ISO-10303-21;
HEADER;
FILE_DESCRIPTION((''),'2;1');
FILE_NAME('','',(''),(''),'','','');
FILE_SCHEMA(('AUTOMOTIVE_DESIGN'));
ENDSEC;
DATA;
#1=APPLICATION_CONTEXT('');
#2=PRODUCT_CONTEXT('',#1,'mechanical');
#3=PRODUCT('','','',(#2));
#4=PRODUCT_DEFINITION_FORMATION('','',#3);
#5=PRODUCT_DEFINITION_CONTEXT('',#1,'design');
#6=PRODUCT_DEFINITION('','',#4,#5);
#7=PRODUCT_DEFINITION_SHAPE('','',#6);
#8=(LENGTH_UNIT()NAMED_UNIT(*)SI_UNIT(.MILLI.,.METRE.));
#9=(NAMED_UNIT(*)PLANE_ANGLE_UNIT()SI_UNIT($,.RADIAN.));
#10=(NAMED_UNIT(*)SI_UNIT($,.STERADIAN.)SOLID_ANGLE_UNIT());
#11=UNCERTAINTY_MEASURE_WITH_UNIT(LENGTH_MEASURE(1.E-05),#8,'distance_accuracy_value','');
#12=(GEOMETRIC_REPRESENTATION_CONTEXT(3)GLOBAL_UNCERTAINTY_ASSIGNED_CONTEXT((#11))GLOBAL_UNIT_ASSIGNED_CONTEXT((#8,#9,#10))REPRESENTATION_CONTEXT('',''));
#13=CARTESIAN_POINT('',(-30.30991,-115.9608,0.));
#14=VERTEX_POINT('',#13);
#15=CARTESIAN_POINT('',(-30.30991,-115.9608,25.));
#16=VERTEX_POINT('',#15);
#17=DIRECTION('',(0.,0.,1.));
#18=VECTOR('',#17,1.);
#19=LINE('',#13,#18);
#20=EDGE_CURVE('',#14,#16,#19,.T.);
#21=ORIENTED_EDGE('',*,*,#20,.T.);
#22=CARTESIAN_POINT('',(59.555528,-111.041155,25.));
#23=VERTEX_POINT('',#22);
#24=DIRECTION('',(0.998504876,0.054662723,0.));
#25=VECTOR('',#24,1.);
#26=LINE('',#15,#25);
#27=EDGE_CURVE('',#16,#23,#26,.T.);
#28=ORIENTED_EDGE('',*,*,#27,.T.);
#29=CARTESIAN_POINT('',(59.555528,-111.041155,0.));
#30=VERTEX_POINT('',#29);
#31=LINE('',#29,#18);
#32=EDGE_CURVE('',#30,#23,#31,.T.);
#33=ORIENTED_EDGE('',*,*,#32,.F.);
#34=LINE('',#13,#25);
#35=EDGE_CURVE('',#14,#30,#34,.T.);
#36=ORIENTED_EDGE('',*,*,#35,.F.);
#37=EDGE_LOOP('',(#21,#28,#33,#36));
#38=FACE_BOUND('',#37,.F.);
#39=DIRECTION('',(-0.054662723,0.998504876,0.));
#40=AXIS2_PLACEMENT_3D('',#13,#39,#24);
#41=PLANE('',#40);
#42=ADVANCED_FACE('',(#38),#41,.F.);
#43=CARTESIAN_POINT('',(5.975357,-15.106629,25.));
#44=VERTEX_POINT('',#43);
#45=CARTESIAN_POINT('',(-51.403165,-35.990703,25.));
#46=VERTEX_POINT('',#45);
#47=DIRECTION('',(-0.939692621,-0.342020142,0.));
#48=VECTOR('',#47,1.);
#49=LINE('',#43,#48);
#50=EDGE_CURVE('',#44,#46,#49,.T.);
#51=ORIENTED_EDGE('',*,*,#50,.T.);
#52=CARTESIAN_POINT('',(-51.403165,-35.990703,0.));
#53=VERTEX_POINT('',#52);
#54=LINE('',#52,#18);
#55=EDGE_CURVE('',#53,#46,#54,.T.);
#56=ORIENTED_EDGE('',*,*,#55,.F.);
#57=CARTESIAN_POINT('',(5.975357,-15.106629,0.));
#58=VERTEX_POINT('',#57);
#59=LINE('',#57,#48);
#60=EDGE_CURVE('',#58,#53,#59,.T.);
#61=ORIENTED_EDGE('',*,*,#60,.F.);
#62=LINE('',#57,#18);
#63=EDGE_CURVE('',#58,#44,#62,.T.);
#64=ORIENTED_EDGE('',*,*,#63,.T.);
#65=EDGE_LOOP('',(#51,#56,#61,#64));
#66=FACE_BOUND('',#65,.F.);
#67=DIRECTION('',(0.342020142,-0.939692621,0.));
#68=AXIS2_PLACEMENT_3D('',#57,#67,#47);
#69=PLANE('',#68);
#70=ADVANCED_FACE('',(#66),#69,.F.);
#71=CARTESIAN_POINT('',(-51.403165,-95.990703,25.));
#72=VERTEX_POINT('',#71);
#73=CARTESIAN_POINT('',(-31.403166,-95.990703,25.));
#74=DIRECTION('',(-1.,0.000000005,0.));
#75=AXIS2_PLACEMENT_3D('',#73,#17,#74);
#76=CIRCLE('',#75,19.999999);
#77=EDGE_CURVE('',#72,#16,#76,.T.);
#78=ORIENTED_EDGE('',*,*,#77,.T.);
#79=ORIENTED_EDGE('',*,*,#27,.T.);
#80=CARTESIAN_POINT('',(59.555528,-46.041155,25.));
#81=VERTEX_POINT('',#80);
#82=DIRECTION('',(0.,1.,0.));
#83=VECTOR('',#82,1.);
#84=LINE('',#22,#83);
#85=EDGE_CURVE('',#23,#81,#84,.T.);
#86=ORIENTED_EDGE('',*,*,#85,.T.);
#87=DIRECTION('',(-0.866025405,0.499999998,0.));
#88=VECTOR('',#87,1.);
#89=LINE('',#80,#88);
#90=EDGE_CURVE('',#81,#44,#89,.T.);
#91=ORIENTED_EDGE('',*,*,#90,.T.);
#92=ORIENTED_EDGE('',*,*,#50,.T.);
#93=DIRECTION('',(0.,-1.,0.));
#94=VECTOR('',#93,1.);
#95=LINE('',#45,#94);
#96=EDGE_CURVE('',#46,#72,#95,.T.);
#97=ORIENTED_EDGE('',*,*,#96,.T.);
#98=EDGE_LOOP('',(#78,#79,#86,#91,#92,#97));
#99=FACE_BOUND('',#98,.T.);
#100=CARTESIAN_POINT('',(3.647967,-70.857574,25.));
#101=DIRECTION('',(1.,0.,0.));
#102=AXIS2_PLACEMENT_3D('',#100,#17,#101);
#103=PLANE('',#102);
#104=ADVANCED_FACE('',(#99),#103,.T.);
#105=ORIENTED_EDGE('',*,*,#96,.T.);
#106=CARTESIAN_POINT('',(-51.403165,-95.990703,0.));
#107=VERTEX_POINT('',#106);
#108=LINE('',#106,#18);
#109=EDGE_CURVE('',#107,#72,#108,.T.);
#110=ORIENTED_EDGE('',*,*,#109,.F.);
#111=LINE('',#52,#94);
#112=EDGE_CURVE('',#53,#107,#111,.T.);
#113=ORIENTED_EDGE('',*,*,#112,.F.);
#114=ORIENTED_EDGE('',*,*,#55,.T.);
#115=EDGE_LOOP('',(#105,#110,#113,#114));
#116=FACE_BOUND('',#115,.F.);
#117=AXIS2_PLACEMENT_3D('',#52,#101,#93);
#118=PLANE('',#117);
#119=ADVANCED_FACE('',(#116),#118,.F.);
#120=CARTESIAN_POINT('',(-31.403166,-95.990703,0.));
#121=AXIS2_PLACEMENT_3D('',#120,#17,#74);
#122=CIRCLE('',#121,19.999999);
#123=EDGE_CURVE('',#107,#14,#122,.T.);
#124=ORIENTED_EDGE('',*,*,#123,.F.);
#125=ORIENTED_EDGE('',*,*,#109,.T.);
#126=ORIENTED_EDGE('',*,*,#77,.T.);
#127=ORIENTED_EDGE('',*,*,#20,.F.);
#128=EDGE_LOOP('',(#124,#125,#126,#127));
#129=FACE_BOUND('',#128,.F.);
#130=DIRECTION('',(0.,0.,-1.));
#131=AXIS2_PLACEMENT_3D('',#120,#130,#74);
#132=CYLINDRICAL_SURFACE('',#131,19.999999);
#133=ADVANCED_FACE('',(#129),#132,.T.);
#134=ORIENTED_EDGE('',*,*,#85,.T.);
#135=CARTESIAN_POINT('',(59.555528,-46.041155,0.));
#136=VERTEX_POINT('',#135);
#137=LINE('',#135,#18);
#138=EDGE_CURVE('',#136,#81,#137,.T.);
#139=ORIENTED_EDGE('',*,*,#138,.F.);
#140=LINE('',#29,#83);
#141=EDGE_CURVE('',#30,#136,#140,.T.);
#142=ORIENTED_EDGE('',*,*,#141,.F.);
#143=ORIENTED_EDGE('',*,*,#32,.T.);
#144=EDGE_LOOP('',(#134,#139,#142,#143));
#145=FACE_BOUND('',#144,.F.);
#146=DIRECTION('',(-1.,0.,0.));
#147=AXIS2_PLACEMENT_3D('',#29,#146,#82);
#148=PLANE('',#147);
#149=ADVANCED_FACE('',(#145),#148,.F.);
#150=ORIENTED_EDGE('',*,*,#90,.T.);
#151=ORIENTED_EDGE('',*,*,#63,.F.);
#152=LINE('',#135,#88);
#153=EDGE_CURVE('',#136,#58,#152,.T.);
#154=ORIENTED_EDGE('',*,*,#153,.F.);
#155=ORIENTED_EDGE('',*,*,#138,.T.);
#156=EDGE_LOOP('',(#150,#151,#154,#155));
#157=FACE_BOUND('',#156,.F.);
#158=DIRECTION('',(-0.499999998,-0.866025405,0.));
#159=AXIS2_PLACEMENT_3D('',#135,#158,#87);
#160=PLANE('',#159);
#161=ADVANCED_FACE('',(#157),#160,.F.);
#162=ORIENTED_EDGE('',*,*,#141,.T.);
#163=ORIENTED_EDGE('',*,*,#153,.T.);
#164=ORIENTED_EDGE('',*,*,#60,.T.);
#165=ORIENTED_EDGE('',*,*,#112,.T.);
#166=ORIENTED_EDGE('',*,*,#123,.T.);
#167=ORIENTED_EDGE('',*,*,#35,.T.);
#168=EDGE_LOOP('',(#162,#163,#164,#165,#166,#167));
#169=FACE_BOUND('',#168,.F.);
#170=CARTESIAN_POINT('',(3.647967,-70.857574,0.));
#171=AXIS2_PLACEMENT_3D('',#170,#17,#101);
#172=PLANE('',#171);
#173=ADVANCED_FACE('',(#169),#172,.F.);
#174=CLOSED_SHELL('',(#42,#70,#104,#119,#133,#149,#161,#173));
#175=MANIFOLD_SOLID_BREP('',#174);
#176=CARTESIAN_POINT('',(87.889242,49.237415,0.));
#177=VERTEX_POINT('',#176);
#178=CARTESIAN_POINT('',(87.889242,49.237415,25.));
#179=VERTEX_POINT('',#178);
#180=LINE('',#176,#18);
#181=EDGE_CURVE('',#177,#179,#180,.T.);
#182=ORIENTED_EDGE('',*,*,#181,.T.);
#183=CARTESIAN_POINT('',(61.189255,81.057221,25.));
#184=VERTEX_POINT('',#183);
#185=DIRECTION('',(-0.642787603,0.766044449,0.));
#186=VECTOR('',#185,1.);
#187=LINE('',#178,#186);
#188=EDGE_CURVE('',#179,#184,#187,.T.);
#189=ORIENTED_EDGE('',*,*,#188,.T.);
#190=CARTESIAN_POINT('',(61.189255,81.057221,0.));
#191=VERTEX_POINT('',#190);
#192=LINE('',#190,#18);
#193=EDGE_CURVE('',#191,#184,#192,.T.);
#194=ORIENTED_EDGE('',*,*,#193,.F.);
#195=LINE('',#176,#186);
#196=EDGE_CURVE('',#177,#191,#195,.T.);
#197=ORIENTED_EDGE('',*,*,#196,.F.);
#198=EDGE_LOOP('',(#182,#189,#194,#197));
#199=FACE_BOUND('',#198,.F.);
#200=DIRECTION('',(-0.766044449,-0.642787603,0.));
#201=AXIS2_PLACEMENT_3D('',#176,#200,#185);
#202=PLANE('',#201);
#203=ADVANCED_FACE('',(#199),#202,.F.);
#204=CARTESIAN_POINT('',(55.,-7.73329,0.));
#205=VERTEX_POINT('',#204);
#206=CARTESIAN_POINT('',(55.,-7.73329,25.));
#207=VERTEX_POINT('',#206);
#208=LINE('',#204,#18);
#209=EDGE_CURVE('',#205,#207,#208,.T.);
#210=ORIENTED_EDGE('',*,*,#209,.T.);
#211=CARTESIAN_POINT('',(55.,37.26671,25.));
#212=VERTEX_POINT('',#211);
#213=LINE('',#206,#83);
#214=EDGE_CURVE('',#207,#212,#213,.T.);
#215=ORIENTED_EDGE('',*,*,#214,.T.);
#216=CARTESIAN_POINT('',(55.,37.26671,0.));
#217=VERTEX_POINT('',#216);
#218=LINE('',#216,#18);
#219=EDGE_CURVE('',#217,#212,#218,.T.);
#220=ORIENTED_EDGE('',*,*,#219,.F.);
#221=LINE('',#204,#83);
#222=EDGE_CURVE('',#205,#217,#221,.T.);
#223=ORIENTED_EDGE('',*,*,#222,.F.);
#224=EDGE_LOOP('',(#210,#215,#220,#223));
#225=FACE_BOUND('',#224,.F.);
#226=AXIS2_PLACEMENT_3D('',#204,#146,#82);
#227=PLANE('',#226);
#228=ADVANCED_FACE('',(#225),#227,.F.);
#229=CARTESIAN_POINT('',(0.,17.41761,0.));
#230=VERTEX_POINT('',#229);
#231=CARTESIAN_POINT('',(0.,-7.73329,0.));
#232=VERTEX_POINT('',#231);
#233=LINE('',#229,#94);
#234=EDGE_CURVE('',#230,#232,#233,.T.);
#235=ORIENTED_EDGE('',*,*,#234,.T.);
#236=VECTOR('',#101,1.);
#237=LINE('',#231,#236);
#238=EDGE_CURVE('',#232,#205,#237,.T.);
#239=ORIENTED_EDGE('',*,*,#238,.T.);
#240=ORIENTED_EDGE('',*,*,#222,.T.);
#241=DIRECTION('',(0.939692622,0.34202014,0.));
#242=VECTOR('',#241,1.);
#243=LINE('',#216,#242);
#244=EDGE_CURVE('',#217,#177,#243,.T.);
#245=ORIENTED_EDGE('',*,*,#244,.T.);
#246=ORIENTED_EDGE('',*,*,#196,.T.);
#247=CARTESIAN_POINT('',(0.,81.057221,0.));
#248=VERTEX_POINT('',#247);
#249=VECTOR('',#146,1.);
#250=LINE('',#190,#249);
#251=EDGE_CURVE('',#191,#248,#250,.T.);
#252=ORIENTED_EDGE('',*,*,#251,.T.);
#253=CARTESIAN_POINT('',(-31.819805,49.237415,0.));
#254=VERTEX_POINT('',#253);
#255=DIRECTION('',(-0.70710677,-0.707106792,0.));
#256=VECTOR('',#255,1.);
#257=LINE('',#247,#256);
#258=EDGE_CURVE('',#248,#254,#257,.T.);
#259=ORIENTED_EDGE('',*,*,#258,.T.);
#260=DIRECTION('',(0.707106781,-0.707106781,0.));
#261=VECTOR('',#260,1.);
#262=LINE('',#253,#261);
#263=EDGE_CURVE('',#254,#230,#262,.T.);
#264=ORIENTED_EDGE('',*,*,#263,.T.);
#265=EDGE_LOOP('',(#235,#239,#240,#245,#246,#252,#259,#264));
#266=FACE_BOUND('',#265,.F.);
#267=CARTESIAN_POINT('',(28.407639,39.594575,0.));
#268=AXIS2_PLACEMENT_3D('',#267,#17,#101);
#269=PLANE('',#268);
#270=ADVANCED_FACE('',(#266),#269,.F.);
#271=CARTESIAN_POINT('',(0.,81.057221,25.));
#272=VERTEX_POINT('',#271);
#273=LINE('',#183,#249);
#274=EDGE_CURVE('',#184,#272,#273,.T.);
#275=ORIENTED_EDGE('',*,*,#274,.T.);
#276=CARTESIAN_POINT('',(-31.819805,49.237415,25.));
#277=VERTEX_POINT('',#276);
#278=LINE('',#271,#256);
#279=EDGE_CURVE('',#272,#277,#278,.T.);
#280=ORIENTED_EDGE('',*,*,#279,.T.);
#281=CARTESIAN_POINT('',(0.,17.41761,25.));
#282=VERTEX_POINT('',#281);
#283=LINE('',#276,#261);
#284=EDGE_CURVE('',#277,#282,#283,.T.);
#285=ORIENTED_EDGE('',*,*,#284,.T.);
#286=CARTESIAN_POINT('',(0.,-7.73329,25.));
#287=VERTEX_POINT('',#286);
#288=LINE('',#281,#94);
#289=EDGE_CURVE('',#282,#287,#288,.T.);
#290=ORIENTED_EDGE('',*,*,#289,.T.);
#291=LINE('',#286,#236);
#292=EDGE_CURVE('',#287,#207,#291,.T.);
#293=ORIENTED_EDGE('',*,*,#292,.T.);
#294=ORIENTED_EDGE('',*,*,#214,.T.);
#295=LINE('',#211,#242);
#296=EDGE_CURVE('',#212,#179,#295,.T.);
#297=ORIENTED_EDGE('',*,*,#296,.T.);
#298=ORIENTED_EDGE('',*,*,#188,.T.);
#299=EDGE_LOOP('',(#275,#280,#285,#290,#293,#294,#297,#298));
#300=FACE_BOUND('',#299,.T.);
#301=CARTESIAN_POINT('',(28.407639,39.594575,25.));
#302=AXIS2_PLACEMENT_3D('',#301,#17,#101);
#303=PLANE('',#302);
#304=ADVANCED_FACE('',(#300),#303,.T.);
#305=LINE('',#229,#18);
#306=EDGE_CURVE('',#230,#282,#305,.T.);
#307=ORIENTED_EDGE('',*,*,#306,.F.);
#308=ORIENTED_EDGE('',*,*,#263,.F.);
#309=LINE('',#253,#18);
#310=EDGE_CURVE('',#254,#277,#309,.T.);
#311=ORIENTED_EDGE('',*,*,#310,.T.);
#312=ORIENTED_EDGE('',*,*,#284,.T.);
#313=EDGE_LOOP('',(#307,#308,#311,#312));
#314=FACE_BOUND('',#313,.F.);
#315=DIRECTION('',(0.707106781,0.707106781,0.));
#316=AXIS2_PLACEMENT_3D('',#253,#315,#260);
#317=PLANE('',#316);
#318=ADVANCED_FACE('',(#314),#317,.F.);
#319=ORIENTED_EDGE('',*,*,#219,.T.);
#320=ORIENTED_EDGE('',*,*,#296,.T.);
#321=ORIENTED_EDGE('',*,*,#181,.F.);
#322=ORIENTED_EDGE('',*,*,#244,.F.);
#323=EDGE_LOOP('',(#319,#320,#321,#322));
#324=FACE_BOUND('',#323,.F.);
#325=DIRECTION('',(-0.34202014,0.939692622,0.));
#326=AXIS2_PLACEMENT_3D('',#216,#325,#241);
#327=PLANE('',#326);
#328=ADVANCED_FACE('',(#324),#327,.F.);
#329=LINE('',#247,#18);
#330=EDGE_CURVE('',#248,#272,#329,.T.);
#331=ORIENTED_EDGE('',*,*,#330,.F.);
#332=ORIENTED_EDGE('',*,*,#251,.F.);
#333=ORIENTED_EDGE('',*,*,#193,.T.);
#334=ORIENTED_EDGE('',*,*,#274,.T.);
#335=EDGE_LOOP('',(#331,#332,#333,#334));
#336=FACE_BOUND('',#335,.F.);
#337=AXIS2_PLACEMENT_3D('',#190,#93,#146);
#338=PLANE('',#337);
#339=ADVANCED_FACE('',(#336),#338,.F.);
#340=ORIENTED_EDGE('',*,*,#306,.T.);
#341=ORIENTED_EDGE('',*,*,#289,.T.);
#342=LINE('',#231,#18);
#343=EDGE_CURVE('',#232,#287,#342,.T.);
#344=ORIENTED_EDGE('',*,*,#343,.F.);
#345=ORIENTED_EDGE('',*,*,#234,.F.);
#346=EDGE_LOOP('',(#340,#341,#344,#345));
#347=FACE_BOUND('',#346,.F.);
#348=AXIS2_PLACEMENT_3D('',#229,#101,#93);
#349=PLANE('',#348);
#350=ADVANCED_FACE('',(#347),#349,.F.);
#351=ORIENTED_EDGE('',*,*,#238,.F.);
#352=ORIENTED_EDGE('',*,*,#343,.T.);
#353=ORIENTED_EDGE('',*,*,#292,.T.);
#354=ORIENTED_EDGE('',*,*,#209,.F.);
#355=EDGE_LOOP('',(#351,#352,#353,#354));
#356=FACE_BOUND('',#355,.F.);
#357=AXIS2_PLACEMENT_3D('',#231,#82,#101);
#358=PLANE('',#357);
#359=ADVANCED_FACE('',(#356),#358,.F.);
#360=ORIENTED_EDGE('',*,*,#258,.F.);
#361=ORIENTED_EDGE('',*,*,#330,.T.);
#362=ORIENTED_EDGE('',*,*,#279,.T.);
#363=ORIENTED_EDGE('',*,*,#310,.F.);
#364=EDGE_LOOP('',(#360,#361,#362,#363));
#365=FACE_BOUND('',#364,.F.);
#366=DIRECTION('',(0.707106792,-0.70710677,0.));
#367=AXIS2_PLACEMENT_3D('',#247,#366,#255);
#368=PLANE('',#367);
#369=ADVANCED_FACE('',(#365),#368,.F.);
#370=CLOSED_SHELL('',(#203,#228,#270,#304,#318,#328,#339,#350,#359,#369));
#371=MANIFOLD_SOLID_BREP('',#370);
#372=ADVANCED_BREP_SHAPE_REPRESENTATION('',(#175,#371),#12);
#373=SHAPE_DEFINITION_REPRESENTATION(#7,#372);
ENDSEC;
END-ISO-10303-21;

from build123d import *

# Parameters (mm, degrees)
F1_DEPTH = 25


with BuildPart() as f1:
    # F0 (on Top) → F1 (new body)
    with BuildSketch(Plane.XY):
        with BuildLine():
            Line((-51.403165, -35.990703), (-51.403165, -95.990703))
            ThreePointArc((-51.403165, -95.990703), (-45.153345, -110.51422), (-30.30991, -115.9608))
            Line((-30.30991, -115.9608), (59.555528, -111.041155))
            Line((59.555528, -111.041155), (59.555528, -46.041155))
            Line((59.555528, -46.041155), (5.975357, -15.106629))
            Line((5.975357, -15.106629), (-51.403165, -35.990703))
        make_face()
        Polygon((0, 17.41761), (0, -7.73329), (55, -7.73329), (55, 37.26671), (87.889242, 49.237415), (61.189255, 81.057221), (0, 81.057221), (-31.819805, 49.237415), align=None)
    extrude(amount=F1_DEPTH)


solid = f1.part
